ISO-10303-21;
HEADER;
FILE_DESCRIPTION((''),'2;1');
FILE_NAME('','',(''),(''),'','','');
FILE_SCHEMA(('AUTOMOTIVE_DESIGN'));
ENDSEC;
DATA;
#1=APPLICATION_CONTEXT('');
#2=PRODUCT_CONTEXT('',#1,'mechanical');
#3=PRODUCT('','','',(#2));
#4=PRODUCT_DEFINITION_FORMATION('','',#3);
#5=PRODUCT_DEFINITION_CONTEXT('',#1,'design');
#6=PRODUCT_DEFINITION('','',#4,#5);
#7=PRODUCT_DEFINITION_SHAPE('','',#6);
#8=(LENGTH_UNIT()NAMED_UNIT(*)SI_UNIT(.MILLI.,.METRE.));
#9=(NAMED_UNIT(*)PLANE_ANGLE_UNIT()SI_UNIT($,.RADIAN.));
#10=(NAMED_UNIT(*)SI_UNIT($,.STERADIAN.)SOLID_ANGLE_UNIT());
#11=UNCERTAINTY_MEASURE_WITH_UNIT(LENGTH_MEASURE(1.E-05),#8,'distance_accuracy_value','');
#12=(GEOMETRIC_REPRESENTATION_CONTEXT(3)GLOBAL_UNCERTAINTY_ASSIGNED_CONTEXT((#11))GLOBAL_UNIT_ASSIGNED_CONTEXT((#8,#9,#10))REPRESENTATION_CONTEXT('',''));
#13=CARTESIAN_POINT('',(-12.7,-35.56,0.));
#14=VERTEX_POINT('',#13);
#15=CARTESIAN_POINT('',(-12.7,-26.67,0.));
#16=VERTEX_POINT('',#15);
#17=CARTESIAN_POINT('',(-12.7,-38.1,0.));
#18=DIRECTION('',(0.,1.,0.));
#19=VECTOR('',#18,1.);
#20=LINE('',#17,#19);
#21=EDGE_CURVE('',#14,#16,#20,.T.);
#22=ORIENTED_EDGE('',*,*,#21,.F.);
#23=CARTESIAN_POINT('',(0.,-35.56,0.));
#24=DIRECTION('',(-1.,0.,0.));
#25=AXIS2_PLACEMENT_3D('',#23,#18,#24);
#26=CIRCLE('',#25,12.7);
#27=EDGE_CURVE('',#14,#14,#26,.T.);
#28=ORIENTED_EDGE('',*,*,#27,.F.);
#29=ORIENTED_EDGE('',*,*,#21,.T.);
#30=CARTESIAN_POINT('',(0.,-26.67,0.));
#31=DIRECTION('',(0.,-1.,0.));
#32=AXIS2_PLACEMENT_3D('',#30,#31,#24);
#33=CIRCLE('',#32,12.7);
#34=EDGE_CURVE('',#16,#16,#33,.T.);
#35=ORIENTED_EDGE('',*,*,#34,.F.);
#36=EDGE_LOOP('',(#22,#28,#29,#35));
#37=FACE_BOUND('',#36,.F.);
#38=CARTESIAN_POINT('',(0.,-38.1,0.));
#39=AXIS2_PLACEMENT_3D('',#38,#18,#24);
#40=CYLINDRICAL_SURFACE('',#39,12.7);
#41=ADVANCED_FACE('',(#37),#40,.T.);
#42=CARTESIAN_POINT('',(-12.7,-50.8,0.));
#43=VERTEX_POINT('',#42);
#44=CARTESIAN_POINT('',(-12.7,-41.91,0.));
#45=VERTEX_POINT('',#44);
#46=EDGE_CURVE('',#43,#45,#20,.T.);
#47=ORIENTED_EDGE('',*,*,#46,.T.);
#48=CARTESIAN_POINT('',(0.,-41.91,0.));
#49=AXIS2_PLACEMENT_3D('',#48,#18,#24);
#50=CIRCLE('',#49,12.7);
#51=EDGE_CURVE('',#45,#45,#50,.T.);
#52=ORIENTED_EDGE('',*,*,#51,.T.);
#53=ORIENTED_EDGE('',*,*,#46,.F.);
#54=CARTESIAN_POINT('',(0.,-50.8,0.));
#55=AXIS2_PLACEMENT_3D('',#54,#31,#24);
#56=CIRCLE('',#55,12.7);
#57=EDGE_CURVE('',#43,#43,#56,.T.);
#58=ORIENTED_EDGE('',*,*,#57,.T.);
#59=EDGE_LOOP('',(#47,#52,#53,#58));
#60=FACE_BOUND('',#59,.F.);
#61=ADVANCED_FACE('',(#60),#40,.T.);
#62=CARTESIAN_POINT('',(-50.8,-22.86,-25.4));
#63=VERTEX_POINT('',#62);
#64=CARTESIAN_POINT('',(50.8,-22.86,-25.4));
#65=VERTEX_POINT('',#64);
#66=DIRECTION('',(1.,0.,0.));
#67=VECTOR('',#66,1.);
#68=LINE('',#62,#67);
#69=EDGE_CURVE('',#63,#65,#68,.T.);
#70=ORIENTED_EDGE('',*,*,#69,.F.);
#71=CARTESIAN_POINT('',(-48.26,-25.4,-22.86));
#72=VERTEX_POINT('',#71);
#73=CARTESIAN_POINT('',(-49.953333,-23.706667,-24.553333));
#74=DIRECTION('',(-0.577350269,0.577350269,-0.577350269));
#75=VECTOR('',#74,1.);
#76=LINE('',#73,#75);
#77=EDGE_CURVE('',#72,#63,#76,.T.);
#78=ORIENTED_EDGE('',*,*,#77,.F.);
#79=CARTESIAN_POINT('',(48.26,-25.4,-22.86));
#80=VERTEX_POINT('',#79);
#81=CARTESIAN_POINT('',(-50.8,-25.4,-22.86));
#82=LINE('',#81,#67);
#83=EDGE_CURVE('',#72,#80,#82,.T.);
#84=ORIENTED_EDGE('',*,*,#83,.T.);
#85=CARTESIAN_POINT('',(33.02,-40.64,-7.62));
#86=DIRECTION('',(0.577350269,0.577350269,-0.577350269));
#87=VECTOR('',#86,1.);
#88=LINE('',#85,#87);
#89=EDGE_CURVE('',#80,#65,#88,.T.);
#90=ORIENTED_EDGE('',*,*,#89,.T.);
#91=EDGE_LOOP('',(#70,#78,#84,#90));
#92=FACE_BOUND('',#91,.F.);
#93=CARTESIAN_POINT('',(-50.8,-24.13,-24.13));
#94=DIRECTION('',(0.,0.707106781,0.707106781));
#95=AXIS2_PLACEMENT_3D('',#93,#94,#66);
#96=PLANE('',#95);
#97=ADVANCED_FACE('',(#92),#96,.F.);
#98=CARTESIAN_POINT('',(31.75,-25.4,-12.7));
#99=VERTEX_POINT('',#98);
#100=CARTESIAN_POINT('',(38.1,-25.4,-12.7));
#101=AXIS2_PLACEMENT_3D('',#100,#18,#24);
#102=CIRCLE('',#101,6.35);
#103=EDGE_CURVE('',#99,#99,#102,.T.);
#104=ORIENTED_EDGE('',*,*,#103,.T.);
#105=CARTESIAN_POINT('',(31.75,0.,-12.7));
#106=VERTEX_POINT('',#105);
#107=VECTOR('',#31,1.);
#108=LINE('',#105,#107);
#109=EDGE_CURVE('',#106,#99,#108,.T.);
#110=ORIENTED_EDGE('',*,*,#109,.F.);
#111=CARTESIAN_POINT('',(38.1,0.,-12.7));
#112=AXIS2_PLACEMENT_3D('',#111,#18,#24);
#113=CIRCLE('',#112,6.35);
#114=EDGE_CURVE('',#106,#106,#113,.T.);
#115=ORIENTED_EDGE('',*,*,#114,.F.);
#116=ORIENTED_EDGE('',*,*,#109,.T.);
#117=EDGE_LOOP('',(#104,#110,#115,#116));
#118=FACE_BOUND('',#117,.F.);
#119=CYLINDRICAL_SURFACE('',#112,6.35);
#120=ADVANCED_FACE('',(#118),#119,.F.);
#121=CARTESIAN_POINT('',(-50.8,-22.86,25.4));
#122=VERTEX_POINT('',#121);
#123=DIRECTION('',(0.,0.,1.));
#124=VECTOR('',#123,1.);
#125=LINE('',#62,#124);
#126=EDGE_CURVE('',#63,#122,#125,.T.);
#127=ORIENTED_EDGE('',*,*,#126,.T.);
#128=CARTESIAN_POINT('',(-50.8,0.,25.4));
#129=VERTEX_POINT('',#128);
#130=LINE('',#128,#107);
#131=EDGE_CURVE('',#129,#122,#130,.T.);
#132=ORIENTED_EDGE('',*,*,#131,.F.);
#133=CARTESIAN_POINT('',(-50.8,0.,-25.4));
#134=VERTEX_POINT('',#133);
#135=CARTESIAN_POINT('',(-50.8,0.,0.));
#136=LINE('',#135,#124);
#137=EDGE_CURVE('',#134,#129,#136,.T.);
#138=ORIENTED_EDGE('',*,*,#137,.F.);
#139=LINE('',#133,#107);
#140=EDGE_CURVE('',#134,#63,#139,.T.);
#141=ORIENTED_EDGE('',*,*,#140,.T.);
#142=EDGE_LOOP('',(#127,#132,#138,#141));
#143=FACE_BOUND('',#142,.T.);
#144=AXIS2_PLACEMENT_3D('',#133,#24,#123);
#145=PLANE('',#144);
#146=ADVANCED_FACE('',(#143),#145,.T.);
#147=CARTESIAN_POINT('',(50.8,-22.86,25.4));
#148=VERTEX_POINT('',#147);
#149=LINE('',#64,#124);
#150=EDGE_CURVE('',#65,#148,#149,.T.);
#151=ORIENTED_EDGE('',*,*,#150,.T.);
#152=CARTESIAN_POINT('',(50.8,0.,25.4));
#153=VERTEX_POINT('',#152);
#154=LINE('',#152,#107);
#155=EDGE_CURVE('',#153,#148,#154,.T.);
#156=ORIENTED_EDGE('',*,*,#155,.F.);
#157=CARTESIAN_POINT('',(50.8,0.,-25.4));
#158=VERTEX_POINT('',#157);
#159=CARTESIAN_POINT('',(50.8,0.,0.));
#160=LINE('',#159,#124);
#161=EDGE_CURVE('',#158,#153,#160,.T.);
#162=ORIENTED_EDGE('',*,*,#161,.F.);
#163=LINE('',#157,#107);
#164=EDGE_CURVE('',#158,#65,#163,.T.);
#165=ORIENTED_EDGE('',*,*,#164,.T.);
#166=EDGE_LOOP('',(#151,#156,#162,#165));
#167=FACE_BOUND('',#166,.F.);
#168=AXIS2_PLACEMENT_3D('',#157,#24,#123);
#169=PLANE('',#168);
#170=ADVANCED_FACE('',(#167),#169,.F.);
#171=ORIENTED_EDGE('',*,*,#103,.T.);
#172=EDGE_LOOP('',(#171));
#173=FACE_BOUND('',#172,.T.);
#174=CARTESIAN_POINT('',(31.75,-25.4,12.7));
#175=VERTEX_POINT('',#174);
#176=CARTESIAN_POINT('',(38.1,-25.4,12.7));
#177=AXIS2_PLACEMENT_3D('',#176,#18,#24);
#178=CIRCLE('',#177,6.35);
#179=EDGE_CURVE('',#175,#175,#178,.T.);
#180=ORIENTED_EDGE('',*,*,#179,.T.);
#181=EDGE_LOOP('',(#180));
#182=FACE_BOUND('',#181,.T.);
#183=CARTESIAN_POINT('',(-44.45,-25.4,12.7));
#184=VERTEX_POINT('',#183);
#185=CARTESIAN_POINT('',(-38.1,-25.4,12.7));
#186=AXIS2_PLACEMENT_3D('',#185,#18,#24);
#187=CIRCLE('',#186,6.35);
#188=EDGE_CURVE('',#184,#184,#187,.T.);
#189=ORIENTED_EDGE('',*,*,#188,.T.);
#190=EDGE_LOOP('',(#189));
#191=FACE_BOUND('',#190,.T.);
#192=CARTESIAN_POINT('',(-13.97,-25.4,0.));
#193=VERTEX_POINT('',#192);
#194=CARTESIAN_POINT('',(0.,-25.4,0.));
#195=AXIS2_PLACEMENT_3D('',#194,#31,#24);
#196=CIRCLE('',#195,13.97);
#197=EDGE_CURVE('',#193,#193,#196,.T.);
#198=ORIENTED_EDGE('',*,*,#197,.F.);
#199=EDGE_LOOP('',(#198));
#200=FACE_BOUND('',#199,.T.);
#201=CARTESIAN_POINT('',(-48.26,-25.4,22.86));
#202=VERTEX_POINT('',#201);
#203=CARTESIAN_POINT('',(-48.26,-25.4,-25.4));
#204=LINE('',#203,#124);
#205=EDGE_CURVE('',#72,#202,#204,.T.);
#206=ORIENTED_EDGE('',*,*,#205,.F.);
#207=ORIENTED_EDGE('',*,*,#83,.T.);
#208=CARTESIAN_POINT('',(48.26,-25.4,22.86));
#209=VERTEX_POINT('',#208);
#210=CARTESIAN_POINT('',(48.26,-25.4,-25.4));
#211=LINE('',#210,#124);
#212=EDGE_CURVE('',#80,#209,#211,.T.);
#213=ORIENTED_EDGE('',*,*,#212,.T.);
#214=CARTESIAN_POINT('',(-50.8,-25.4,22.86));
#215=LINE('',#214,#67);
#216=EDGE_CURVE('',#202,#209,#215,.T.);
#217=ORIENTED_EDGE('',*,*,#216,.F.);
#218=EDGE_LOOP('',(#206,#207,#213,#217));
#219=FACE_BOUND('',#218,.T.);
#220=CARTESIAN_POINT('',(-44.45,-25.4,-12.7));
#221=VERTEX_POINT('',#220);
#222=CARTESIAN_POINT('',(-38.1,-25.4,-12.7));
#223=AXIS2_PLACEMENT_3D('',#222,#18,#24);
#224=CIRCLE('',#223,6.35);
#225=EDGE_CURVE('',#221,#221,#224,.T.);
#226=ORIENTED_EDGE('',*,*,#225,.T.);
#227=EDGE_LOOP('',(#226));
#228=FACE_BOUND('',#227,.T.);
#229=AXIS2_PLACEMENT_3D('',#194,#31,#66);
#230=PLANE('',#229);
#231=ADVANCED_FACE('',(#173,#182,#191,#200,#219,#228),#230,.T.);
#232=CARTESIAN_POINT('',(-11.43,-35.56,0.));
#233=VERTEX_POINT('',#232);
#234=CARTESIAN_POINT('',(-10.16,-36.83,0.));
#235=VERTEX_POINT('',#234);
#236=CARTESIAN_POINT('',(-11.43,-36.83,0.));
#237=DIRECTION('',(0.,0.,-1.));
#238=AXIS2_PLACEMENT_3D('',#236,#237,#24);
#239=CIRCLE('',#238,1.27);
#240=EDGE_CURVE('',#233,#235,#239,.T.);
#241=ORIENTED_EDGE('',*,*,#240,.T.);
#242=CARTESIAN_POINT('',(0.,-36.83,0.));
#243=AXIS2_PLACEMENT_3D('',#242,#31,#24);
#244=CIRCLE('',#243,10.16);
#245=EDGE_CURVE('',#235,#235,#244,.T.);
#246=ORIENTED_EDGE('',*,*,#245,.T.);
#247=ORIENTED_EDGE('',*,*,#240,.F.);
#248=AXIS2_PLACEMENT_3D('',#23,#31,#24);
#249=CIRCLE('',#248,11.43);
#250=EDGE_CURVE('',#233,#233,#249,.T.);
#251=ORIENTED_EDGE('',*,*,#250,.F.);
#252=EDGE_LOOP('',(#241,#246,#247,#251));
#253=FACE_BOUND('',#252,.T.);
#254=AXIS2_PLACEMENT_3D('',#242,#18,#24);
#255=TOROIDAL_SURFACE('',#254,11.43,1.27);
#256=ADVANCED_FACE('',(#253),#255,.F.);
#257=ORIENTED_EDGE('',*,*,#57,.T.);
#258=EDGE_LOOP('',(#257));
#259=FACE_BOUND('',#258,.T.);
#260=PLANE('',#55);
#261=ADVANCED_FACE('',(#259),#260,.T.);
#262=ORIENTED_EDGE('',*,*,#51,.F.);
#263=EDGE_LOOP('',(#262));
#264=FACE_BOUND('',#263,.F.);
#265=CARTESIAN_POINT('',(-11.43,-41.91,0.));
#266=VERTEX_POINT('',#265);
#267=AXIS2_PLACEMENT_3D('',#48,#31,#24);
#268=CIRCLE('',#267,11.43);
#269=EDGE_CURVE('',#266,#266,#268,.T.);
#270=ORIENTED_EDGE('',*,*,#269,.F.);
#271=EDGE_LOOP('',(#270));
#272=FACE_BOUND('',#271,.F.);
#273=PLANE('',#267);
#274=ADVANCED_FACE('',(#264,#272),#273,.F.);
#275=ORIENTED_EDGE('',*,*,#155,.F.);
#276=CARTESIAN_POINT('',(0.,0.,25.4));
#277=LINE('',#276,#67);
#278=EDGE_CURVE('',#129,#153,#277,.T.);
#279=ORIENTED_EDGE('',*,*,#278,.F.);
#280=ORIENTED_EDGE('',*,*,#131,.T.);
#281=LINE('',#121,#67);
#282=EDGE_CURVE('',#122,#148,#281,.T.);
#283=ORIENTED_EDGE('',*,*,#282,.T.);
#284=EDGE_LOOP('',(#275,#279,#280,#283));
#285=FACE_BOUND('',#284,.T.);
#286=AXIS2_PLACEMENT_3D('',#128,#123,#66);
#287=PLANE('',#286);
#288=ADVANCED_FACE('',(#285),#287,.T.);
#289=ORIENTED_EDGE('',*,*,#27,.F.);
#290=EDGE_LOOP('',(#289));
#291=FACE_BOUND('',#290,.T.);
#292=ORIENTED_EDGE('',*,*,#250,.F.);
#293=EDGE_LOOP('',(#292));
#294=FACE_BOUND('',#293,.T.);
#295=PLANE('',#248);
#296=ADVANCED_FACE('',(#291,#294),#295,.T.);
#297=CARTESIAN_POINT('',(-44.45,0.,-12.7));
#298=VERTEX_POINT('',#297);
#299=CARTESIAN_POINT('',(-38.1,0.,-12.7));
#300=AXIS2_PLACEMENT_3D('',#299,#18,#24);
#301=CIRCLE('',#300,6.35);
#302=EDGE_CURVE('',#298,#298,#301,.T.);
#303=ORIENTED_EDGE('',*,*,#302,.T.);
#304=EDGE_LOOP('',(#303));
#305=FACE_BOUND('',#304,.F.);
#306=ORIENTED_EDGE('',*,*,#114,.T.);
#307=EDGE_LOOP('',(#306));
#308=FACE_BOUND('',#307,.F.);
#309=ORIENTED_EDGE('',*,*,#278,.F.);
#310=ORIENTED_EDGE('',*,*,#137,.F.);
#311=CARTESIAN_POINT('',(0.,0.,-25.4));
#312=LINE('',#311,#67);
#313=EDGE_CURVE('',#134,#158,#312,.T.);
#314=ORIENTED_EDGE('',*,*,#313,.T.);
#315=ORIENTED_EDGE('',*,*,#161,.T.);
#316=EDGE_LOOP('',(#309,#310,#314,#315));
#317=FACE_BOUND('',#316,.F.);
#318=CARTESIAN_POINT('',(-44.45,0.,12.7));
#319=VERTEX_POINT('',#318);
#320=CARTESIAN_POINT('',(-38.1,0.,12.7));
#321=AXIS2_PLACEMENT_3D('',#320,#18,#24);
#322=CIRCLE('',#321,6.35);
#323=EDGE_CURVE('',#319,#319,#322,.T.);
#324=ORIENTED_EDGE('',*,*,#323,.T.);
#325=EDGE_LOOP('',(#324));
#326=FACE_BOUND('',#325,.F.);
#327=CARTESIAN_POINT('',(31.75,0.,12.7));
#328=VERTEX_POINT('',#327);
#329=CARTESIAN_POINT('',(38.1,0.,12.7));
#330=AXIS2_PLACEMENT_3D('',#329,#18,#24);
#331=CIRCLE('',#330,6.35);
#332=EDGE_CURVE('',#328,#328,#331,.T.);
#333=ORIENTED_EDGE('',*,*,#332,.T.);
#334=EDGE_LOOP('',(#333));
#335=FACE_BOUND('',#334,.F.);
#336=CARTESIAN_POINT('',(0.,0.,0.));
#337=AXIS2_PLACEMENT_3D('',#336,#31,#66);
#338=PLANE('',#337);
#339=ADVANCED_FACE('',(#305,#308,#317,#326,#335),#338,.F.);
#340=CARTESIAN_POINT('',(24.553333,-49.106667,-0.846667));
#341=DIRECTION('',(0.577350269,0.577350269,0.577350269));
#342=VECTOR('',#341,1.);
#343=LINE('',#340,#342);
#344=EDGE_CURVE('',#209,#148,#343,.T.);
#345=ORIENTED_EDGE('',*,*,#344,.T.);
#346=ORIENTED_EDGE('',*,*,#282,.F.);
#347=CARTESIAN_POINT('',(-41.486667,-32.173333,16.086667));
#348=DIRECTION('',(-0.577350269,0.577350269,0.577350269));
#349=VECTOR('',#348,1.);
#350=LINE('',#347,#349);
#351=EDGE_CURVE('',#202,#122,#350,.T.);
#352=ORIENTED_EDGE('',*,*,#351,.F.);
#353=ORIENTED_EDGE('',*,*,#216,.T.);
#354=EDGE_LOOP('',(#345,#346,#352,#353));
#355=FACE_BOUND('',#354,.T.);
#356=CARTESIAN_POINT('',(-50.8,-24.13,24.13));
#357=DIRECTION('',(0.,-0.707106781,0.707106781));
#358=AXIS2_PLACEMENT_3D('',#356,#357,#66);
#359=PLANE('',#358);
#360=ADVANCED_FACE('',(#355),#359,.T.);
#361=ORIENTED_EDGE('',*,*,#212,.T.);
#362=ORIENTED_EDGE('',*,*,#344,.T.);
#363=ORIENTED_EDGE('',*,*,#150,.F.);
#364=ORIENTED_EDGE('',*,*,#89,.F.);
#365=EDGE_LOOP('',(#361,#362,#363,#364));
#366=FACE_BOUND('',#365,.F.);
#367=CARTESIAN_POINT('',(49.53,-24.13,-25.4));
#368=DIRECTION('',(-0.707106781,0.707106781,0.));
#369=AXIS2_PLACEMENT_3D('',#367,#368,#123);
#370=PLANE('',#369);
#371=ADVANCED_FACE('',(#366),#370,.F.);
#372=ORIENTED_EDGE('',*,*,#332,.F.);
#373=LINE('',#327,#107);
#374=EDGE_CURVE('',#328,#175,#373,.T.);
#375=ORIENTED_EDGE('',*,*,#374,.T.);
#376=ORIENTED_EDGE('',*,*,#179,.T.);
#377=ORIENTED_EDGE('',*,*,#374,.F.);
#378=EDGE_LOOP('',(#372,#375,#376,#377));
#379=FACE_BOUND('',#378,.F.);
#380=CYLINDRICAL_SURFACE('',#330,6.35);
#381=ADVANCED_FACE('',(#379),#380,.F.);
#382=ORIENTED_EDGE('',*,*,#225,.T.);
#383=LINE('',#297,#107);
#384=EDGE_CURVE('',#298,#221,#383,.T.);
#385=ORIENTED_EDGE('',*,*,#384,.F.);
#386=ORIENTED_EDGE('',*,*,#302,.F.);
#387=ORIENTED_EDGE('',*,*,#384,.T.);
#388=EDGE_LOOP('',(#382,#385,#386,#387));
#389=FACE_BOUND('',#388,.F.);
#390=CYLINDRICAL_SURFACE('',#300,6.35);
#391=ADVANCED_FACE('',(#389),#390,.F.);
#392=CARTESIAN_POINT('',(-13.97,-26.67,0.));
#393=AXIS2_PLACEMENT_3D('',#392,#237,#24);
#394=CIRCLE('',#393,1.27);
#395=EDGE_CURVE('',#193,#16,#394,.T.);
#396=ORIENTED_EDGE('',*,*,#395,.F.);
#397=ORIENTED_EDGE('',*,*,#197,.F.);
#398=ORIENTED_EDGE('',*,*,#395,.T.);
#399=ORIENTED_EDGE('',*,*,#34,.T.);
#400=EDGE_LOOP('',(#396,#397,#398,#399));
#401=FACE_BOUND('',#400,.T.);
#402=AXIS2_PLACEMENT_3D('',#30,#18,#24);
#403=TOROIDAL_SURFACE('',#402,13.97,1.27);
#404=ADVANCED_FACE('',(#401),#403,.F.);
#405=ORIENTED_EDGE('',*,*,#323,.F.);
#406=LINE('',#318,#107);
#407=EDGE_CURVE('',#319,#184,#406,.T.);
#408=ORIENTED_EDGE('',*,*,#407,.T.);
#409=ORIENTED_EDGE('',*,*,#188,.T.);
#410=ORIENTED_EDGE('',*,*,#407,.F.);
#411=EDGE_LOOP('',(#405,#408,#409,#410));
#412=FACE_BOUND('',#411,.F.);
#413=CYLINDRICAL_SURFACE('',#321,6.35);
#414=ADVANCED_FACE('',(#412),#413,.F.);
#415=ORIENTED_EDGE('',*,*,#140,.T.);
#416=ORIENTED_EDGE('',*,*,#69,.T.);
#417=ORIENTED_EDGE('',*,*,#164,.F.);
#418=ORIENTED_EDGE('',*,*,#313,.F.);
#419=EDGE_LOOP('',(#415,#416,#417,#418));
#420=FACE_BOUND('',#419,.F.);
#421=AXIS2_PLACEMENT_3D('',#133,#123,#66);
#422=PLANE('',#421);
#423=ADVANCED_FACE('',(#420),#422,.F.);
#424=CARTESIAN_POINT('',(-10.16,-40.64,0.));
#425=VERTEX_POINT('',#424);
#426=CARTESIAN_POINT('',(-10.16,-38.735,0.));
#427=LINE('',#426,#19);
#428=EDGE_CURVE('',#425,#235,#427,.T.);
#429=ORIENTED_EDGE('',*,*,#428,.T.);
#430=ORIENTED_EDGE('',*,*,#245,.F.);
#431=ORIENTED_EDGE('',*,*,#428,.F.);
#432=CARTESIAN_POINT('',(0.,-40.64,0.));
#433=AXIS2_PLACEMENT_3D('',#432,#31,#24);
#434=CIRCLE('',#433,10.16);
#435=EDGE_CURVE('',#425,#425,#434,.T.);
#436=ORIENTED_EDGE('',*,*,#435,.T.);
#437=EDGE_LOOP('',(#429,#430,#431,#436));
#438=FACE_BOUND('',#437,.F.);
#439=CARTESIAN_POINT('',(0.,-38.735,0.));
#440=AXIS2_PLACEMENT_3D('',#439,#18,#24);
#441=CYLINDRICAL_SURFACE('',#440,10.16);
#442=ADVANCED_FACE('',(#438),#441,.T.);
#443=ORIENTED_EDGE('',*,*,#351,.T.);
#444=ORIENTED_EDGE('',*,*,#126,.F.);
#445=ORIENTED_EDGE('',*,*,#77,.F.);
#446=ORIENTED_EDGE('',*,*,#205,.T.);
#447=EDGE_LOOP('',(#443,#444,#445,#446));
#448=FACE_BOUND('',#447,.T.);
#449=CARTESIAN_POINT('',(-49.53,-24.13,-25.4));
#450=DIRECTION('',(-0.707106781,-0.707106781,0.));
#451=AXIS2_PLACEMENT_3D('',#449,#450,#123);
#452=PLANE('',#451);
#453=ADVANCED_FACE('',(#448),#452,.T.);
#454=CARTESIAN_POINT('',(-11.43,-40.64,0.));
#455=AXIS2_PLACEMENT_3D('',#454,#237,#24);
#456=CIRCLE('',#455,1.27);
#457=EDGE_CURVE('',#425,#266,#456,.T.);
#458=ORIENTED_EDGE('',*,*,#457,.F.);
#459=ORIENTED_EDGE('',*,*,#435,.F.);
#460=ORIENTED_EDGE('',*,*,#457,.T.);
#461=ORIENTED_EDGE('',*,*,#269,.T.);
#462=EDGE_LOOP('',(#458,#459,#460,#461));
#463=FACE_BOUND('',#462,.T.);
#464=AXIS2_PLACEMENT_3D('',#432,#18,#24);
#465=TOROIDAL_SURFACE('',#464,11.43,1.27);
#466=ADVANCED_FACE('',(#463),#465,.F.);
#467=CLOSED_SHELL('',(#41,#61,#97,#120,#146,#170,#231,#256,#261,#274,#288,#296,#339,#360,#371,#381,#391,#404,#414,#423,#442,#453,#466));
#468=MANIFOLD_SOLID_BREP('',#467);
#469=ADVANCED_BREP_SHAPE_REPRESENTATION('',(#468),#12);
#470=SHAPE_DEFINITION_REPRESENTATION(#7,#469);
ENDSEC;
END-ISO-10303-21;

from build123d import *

# Parameters (mm, degrees)
F0_W     = 101.6
F0_H     = 50.8
F1_DEPTH = 25.4
F2_R     = 6.35
F3_DEPTH = 25.401
F4_W     = 12.7
F4_H     = 25.4
F6_W     = 5.860112
F6_H     = 6.35
F8_R     = 1.27
F9_SIZE  = 2.54


with BuildPart() as f1:
    # F0 (on Front) → F1 (new body)
    with BuildSketch(Plane.XZ):
        Rectangle(F0_W, F0_H)
    extrude(amount=F1_DEPTH)

    # F2 (on face) → F3 (cut, through all)
    with BuildSketch(Plane(origin=(0, 0, 0), x_dir=(-1, 0, 0), z_dir=(0, 1, 0))):
        with Locations((-38.1, 12.7)):
            Circle(F2_R)
        with Locations((-38.1, -12.7)):
            Circle(F2_R)
        with Locations((38.1, 12.7)):
            Circle(F2_R)
        with Locations((38.1, -12.7)):
            Circle(F2_R)
    extrude(amount=-F3_DEPTH, mode=Mode.SUBTRACT)

    # F4 (on Top) → F5 (revolve)
    with BuildSketch(Plane.XY):
        with Locations((-6.35, -38.1)):
            Rectangle(F4_W, F4_H)
    revolve(axis=Axis((0, -38.1, 0), (0, -1, 0)))

    # F6 (on Top) → F7 (revolve, cut)
    with BuildSketch(Plane.XY):
        with Locations((-13.090056, -38.735)):
            Rectangle(F6_W, F6_H)
    revolve(axis=Axis((0, -29.157673, 0), (0, -1, 0)), mode=Mode.SUBTRACT)

    # F8
    f8_edges = [f1.edges().sort_by_distance(p)[0] for p in [
        (12.7, -25.4, 0),
        (10.16, -41.91, 0),
        (10.16, -35.56, 0),
    ]]
    fillet(f8_edges, radius=F8_R)

    # F9
    f9_edges = [f1.edges().sort_by_distance(p)[0] for p in [
        (0, -25.4, -25.4),
        (50.8, -25.4, 0),
        (0, -25.4, 25.4),
        (-50.8, -25.4, 0),
    ]]
    chamfer(f9_edges, length=F9_SIZE)


solid = f1.part
